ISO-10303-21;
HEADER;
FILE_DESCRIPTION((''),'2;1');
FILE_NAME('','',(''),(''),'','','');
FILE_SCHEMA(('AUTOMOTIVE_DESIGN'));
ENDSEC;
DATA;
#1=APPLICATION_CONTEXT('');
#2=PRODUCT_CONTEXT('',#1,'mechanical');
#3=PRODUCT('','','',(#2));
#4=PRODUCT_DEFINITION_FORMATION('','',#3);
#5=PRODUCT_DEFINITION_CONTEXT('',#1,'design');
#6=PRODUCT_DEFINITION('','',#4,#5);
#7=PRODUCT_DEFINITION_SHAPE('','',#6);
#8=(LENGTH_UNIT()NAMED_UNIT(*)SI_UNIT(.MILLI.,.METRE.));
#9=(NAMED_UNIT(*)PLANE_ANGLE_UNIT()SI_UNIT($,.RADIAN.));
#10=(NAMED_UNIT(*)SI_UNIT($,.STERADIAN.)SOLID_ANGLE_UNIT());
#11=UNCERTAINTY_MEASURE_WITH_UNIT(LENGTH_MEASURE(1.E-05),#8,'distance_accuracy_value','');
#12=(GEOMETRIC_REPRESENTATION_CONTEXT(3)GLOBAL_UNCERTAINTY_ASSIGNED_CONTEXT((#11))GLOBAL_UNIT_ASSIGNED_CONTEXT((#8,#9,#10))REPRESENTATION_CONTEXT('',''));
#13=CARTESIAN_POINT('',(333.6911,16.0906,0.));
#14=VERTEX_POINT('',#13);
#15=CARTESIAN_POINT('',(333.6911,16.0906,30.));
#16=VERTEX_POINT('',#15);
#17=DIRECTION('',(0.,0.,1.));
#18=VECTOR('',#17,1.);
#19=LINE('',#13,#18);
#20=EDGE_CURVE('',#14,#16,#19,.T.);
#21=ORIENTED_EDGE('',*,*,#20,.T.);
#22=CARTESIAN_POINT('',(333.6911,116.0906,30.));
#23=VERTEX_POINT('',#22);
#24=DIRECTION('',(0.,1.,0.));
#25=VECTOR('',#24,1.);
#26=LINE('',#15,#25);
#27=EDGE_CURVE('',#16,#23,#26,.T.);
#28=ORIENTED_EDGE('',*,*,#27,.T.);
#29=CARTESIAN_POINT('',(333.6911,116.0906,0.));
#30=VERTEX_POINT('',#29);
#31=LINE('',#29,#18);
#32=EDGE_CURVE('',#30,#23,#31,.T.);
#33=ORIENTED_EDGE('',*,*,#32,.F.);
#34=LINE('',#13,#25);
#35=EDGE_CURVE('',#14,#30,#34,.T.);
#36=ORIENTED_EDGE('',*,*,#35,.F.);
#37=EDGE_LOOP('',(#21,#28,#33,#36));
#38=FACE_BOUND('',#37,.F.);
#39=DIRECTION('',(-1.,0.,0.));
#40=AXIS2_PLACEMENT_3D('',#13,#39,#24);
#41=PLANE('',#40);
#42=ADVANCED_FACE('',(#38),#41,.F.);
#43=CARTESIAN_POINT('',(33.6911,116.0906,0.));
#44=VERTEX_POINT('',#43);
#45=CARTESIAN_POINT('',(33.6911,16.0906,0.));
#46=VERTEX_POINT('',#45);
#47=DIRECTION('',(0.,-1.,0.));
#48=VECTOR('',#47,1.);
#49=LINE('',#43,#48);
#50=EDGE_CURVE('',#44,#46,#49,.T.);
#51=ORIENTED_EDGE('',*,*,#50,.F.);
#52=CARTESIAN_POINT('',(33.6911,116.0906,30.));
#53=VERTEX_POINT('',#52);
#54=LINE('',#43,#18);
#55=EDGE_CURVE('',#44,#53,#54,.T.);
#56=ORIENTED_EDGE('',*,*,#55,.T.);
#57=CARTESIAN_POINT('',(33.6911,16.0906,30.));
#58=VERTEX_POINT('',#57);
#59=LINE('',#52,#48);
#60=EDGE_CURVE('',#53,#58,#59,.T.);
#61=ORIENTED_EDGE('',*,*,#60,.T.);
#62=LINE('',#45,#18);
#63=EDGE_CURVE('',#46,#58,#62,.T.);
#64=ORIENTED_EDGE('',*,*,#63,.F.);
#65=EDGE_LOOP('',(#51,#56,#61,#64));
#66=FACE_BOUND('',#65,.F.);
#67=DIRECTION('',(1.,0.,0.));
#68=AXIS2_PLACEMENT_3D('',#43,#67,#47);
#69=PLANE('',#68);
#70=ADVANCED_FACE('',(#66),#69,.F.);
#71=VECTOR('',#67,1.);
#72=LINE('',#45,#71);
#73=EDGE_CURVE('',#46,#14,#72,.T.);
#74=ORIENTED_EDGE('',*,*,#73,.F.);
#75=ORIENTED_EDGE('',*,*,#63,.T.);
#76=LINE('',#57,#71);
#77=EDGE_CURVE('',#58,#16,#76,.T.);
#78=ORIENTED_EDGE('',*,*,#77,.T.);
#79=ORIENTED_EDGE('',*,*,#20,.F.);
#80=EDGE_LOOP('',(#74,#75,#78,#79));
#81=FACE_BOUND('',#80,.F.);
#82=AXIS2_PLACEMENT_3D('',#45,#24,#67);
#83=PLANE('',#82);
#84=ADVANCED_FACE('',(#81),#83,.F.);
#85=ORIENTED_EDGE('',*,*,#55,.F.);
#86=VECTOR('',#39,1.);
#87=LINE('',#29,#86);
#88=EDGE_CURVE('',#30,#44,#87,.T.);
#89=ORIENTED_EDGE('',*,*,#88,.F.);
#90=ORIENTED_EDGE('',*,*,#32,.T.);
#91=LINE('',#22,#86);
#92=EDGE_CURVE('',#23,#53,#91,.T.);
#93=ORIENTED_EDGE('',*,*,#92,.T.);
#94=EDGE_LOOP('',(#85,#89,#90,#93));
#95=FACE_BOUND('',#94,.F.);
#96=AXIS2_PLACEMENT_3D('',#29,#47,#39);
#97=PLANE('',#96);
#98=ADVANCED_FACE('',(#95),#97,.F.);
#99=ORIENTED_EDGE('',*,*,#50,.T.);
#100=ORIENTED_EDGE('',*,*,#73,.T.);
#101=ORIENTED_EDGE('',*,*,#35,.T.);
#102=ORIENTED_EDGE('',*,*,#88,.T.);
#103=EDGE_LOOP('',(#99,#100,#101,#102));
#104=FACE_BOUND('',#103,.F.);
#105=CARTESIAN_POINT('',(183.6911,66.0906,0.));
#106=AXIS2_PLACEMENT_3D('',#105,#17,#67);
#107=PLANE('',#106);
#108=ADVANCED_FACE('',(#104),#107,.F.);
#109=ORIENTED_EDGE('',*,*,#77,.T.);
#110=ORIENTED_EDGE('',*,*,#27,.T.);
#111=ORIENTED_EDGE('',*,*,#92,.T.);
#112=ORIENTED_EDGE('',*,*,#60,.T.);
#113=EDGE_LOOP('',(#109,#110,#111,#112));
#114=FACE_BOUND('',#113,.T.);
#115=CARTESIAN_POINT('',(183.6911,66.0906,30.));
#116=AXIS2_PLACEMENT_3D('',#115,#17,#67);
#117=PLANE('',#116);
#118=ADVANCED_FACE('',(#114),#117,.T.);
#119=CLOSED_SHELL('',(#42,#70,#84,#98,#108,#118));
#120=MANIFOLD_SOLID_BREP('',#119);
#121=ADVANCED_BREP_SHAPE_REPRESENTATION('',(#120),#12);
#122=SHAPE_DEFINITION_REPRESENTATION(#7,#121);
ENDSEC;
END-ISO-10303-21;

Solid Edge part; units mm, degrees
sketch "Sketch1" plane through (0, 0, 0) normal (0, 0, 1) x (1, 0, 0)
  line L0 (33.6911, 16.0906) -> (333.6911, 16.0906)
  line L1 (333.6911, 16.0906) -> (333.6911, 116.0906)
  line L2 (333.6911, 116.0906) -> (33.6911, 116.0906)
  line L3 (33.6911, 116.0906) -> (33.6911, 16.0906)
  dimension "D1" = 300
  dimension "D2" = 100
extrude "Protrusion1" add sketch "Sketch1" along normal blind 30
